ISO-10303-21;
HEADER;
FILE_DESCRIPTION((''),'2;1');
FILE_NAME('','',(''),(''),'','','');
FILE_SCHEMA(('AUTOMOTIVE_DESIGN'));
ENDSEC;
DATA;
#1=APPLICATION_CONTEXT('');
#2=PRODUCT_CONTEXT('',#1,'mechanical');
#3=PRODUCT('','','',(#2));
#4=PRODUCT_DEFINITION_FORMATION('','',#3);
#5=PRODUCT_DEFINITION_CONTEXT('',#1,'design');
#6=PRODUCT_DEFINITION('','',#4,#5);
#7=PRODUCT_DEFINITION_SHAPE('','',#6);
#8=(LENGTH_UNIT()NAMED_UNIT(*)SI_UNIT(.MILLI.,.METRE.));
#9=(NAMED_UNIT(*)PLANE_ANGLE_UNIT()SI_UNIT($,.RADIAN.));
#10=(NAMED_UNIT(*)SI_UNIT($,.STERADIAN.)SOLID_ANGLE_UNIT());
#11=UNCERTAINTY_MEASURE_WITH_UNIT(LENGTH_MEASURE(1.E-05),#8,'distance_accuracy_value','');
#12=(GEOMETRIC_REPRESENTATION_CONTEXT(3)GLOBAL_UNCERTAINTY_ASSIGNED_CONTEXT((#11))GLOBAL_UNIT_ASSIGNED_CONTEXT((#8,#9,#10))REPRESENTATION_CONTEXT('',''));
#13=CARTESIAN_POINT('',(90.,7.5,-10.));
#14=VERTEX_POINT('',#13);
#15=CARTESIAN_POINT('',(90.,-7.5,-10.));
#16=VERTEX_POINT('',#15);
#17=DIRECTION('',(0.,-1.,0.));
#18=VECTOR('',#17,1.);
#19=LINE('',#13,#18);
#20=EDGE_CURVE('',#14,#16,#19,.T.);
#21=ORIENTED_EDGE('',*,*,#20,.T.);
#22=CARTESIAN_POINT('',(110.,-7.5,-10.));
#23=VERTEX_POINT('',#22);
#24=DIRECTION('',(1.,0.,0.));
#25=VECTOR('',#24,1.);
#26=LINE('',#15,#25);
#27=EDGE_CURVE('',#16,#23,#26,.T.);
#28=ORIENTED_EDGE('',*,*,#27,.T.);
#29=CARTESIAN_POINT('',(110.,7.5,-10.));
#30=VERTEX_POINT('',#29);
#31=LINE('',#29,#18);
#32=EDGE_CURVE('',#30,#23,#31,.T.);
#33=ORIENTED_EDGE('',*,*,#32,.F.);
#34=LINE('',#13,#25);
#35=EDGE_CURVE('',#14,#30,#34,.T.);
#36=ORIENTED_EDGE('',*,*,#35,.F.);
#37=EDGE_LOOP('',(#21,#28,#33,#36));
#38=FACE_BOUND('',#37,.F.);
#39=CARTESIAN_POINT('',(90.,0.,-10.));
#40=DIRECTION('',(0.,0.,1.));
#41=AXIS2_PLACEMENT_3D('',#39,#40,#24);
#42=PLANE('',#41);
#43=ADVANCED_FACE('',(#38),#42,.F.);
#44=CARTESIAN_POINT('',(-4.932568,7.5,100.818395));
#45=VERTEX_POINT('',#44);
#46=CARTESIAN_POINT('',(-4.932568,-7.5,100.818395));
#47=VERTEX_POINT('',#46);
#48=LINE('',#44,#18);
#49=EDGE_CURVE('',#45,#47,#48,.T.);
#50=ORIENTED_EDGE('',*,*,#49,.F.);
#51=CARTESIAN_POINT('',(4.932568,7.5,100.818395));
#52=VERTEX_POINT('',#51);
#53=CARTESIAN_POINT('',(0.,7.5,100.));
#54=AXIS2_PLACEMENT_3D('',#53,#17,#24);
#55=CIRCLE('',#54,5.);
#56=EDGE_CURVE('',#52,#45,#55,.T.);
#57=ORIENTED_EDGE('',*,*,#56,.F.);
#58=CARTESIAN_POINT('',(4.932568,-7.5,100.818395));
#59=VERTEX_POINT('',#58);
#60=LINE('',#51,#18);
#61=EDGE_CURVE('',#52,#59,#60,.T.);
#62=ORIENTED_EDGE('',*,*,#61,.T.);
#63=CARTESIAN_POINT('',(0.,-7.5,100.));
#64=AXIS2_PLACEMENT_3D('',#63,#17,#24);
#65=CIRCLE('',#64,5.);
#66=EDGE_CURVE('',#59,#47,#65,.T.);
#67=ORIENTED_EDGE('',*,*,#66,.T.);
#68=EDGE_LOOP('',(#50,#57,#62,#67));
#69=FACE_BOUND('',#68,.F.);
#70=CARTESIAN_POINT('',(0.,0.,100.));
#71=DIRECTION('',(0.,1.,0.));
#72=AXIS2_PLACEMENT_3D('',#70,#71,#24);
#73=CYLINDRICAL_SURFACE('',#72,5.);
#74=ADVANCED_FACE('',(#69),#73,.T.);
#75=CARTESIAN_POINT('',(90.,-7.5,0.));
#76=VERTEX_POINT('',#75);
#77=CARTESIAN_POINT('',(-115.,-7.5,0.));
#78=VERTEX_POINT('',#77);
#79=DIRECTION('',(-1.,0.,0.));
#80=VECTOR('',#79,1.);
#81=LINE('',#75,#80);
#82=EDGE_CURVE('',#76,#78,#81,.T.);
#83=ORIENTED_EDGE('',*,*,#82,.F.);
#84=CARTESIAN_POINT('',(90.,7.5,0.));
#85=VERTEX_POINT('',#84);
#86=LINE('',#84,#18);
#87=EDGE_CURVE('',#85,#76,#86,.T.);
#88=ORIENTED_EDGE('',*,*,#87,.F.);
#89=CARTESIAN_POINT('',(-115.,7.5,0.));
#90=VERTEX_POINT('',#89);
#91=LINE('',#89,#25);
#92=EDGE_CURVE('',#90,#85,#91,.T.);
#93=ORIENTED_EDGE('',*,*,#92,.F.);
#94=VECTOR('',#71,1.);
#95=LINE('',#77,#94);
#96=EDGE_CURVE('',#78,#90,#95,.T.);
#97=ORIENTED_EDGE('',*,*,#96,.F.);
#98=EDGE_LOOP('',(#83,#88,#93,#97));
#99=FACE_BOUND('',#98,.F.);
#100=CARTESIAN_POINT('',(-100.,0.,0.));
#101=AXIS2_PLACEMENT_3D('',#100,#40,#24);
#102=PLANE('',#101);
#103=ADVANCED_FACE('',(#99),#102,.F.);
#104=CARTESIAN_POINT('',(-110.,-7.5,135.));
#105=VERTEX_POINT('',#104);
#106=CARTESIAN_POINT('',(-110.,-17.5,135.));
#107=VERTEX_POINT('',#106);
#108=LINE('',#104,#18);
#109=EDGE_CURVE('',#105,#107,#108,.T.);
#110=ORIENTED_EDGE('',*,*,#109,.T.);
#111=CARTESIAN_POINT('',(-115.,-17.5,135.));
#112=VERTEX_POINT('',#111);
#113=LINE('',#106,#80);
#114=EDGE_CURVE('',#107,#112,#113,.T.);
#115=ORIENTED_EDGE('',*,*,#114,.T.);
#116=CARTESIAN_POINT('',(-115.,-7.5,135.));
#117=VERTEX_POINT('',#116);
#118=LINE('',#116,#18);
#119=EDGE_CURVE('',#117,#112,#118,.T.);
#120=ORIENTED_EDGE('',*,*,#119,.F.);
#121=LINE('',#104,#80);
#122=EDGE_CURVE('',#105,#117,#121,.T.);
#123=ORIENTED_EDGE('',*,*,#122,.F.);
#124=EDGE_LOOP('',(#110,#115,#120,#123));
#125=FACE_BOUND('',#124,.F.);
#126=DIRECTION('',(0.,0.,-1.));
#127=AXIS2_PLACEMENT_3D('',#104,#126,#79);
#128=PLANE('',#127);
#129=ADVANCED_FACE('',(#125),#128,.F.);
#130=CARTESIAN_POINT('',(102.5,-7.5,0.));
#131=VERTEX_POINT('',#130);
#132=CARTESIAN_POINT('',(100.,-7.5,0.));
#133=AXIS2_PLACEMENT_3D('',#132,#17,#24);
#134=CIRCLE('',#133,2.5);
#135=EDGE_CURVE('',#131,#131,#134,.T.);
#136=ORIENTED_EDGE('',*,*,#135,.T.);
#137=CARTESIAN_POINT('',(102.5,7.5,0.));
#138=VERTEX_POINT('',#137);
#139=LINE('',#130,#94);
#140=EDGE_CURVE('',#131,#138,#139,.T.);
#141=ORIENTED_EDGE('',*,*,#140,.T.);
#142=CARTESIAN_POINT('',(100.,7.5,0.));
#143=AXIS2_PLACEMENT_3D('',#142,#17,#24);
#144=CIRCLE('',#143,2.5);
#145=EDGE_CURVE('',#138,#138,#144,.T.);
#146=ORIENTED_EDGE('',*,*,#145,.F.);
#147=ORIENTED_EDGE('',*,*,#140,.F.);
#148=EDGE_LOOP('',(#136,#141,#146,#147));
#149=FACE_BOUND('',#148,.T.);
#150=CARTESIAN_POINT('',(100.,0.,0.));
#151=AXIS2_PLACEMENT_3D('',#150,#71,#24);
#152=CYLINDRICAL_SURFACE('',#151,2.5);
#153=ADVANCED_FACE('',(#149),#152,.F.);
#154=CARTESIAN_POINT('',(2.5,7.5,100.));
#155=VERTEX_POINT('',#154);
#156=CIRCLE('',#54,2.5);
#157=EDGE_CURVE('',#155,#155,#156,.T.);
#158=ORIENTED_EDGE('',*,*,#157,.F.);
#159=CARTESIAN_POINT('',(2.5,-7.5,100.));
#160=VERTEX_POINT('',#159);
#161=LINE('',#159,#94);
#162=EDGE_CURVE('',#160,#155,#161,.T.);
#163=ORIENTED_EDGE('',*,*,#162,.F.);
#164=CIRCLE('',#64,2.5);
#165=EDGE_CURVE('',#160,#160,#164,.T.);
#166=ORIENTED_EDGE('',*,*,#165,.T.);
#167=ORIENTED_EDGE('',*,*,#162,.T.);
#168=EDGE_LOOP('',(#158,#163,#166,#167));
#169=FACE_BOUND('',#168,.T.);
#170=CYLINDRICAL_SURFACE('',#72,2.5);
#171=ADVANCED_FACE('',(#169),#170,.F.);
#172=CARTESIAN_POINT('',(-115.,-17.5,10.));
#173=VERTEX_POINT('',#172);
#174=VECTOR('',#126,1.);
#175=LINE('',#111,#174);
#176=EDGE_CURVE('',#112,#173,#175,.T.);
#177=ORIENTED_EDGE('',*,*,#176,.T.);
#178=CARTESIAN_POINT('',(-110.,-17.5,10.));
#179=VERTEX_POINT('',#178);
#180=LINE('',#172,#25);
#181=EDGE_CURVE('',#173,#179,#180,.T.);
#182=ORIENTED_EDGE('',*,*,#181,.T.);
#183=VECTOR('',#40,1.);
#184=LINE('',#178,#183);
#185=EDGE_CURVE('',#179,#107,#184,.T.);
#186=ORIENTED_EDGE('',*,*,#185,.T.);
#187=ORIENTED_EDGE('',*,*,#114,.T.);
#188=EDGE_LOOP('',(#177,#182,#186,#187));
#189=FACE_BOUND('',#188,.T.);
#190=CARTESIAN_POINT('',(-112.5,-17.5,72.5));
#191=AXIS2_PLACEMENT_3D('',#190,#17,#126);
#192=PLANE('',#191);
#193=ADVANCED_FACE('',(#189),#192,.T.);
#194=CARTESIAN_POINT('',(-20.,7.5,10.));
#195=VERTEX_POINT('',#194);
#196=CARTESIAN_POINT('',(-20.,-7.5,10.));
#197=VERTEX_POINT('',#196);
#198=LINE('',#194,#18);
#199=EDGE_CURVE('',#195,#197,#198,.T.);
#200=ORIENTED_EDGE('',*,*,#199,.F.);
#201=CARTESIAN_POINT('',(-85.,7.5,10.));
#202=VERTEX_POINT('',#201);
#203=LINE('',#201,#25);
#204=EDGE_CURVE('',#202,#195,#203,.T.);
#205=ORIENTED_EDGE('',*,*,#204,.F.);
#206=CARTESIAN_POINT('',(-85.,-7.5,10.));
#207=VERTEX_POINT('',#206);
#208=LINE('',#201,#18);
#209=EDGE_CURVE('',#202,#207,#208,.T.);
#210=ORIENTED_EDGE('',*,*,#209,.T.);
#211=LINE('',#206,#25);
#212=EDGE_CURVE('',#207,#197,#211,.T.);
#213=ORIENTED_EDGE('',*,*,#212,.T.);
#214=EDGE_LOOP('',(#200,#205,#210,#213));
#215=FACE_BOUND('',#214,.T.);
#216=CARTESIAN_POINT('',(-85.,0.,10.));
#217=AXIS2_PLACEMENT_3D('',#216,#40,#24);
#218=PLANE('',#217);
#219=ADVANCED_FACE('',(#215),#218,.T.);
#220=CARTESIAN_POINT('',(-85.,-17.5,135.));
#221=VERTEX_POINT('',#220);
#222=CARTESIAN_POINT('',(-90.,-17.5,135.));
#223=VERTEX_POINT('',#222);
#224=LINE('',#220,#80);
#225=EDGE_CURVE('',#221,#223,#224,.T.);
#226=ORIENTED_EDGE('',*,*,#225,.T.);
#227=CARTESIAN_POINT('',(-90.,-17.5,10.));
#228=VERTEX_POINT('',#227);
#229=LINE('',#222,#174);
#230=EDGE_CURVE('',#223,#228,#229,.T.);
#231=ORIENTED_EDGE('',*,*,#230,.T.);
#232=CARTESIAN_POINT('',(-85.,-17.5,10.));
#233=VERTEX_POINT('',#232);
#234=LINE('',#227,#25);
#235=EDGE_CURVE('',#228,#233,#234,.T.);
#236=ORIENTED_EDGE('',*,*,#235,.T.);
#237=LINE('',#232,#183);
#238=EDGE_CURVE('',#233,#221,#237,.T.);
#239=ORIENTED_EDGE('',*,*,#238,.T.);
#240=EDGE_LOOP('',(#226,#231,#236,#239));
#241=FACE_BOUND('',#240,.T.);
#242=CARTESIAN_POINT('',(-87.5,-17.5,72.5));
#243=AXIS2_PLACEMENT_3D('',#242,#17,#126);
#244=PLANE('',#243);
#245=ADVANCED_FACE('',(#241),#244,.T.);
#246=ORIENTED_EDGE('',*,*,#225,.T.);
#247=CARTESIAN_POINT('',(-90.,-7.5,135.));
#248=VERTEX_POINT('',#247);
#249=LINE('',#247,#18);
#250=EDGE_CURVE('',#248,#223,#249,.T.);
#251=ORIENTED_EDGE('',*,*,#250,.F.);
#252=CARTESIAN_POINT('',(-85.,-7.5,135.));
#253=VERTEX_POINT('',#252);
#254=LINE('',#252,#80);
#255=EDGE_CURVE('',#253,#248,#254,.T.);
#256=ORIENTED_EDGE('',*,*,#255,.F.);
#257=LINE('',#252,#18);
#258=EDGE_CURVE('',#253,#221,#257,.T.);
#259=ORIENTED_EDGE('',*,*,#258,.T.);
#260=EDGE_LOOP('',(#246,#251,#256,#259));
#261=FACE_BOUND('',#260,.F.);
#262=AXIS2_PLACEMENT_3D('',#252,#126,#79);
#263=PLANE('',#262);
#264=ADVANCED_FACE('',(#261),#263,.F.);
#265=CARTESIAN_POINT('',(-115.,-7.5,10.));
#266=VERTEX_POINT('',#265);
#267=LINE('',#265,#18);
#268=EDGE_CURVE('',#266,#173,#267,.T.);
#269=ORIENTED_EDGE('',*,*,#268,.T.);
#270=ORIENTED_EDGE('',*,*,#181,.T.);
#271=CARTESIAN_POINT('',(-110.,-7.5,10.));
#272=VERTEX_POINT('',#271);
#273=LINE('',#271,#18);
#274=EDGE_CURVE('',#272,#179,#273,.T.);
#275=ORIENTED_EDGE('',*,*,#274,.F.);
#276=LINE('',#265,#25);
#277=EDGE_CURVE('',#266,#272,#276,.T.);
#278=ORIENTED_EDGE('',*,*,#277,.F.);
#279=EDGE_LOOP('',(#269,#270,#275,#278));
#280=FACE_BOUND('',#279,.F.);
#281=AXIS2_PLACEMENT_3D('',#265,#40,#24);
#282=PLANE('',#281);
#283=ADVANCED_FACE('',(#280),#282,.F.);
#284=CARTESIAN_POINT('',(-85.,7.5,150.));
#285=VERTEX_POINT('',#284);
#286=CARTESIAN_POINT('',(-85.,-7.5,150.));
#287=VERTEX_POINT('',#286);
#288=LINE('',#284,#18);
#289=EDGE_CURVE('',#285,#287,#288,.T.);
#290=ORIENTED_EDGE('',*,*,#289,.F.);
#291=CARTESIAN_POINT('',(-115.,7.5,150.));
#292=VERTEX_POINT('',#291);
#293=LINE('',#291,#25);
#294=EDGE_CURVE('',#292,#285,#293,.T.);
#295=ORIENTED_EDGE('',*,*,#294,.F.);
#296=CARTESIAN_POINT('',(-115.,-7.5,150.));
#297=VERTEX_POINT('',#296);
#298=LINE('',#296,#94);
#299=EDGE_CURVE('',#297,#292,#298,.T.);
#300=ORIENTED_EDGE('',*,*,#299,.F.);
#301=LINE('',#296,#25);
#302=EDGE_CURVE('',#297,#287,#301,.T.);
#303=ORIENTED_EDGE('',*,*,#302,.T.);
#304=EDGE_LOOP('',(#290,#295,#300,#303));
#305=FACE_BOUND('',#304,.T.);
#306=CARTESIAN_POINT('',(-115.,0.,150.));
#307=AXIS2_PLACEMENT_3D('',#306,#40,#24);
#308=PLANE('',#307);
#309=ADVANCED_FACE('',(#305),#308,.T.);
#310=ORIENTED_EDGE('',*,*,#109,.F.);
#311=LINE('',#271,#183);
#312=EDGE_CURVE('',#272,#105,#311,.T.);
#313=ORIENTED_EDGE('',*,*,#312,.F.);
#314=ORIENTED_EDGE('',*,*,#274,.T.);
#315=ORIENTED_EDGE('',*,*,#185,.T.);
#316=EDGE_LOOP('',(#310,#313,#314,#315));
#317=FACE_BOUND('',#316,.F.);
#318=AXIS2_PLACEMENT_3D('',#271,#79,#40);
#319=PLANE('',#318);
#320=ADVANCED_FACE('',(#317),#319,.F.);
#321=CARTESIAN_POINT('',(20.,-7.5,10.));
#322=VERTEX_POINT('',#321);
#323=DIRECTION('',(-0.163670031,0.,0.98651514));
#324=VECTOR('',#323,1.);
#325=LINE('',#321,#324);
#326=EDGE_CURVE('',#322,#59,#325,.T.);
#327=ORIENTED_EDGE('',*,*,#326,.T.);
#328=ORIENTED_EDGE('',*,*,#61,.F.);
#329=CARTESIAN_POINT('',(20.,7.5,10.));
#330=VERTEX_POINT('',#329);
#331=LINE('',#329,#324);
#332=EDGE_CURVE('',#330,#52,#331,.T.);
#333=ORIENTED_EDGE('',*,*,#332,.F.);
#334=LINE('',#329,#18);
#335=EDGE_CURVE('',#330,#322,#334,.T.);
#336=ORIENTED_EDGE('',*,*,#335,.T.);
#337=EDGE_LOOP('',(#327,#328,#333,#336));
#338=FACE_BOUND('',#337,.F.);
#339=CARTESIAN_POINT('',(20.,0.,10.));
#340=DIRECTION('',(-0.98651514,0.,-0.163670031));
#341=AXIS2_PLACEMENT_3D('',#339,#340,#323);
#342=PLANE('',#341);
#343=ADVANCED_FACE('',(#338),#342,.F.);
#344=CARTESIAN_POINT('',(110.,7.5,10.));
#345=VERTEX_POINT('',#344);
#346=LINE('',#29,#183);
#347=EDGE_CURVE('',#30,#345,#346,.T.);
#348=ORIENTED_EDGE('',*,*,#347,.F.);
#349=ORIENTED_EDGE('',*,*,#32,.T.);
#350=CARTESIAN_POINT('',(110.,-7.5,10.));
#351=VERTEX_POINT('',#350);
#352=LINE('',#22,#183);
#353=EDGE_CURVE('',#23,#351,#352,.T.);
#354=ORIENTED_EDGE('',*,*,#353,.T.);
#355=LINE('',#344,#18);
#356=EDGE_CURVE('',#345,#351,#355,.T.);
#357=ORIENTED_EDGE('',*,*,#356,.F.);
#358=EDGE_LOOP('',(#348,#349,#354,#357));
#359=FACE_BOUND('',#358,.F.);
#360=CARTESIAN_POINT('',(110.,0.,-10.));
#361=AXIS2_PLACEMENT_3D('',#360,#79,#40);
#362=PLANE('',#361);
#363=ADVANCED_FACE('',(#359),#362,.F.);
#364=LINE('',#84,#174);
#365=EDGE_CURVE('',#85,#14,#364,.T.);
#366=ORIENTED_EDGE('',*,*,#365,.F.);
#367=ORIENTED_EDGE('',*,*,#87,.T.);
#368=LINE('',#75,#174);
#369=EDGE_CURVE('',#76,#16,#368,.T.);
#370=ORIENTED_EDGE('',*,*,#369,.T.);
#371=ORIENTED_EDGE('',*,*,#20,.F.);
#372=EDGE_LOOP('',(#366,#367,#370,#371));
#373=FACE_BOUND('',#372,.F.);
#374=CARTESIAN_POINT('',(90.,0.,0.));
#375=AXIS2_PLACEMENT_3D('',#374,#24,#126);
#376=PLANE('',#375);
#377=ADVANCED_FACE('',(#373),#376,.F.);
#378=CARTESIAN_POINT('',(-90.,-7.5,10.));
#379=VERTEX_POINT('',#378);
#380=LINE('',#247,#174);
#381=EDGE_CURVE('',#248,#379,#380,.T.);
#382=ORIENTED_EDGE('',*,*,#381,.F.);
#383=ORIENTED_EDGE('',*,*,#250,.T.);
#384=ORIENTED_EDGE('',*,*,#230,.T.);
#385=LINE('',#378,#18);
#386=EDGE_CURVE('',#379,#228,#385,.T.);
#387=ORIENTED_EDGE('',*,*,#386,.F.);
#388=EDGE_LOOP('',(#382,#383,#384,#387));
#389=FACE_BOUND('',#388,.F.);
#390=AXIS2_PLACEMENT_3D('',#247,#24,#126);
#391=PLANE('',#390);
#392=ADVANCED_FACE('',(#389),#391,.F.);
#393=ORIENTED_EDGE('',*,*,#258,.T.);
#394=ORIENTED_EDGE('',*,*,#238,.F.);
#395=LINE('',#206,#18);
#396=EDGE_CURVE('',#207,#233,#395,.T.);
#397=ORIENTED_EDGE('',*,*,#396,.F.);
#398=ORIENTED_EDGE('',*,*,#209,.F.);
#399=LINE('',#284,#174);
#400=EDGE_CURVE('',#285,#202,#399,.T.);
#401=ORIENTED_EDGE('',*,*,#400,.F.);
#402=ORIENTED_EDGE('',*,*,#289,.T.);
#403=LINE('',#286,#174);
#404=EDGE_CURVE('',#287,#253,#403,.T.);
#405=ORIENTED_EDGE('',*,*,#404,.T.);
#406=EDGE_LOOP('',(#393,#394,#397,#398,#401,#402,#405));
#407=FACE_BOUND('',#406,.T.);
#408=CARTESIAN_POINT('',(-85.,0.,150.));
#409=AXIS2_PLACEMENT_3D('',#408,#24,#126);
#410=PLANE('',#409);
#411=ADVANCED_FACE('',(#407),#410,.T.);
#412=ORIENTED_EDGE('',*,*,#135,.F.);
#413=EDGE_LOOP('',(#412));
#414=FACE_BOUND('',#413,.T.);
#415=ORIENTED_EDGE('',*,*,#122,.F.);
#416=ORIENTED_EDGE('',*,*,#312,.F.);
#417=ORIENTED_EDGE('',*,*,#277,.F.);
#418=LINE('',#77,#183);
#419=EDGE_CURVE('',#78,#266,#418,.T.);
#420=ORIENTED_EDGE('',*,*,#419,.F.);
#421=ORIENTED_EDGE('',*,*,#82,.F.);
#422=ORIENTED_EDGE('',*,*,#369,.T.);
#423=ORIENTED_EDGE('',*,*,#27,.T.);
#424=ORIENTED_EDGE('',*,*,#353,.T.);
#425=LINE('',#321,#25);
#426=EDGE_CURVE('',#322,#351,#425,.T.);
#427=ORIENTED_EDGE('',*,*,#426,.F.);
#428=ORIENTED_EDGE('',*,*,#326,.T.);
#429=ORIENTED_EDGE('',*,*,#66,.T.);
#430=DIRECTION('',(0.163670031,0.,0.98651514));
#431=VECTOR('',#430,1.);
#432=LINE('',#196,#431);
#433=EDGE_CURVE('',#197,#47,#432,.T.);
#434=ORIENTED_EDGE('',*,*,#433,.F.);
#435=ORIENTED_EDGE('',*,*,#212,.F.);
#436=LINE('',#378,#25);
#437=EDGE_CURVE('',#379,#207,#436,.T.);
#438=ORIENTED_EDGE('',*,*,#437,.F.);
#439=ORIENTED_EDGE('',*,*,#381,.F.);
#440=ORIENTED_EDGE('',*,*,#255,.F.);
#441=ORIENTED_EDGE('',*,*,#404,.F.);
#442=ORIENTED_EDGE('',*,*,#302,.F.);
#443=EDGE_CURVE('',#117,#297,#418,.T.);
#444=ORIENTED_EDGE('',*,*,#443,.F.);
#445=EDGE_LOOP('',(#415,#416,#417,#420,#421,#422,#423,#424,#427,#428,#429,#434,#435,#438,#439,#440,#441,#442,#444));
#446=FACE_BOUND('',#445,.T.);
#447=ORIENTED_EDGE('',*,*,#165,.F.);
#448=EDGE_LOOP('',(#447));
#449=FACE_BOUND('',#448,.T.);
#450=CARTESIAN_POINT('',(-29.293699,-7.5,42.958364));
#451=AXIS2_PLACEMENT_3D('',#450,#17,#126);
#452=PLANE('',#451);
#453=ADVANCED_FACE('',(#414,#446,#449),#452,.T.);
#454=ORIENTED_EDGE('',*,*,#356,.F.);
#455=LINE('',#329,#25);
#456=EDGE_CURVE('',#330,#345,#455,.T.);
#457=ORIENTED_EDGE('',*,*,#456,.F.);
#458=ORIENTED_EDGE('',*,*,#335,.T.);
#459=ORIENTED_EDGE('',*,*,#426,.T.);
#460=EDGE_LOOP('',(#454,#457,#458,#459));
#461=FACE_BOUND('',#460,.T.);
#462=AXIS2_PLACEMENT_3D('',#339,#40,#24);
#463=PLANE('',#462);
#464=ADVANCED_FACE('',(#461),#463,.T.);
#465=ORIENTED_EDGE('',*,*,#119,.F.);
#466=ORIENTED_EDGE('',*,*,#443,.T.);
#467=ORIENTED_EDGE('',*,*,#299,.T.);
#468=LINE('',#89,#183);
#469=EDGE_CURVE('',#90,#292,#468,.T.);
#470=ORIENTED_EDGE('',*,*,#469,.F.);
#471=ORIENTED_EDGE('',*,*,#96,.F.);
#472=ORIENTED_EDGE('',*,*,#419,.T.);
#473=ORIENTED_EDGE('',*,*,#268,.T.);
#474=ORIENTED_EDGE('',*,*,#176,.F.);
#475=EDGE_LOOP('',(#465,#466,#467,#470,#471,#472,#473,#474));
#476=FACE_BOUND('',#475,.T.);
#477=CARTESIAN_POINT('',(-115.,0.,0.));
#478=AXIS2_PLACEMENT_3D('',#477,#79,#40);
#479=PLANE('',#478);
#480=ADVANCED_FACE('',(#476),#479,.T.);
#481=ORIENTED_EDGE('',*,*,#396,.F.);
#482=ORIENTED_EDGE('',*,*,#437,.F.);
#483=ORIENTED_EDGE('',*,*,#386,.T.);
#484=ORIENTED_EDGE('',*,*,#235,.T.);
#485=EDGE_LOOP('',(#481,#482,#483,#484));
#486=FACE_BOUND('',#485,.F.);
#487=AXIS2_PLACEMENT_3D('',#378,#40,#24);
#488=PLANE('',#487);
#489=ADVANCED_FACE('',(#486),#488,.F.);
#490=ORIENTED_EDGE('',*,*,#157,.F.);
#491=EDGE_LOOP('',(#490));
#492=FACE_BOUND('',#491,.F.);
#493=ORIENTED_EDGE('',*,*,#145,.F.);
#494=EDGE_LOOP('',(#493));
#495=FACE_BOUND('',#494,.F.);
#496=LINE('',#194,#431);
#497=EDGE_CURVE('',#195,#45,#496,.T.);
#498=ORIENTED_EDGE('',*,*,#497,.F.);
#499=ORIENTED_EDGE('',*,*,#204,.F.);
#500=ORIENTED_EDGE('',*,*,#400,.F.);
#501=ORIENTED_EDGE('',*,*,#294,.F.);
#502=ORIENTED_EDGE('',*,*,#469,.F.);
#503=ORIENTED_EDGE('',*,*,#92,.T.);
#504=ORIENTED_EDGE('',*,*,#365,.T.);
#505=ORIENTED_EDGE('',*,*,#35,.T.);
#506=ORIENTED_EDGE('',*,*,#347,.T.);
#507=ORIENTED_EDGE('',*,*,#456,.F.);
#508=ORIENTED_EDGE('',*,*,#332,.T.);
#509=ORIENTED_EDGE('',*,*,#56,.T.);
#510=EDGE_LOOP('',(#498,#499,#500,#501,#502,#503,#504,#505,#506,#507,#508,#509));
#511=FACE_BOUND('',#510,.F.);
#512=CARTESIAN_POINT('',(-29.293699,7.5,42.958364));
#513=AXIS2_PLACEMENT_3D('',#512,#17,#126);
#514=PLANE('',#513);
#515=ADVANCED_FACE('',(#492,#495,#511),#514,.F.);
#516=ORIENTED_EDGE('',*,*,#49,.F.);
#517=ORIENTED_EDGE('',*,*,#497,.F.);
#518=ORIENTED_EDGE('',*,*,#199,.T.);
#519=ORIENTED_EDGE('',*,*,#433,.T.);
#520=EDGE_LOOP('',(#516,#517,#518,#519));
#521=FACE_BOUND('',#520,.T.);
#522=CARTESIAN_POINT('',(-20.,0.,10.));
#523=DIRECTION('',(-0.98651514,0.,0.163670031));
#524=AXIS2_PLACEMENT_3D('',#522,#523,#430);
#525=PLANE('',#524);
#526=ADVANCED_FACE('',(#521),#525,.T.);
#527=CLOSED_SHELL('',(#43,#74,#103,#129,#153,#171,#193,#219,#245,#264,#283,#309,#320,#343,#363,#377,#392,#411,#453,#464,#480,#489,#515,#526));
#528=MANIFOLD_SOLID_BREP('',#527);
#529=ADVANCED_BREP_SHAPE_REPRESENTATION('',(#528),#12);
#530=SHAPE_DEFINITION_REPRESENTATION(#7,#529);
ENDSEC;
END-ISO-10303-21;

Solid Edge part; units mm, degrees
sketch "Sketch1" plane through (0, 0, 0) normal (0, -1, 0) x (1, 0, 0)
  circle A0 centre (100, 0) radius 2.5
  circle A1 centre (0, 100) radius 2.5
  line L0 (-100, 0) -> (90, 0)
  line L1 (90, 0) -> (90, -10)
  line L2 (90, -10) -> (110, -10)
  line L3 (110, -10) -> (110, 10)
  line L4 (20, 10) -> (110, 10)
  line L5 (20, 10) -> (4.9326, 100.8184)
  line L6 (-20, 10) -> (-4.9326, 100.8184)
  line L7 (-85, 10) -> (-20, 10)
  line L8 (-85, 150) -> (-85, 10)
  line L9 (-115, 150) -> (-85, 150)
  line L10 (-115, 0) -> (-115, 150)
  line L11 (-100, 0) -> (-115, 0)
  arc A2 (4.9326, 100.8184) -> (-4.9326, 100.8184) centre (0, 100) ccw
  dimension "D1" = 190
  dimension "D2" = 100
  dimension "D3" = 15
  dimension "D4" = 150
  dimension "D5" = 10
  dimension "D6" = 20
  dimension "D7" = 20
  dimension "D8" = 20
  dimension "D9" = 10
  dimension "D10" = 100
  dimension "D11" = 5
  dimension "D12" = 5
extrude "Protrusion1" add sketch "Sketch1" along normal mid plane 15
sketch "Sketch2" plane through (-2.5, -7.5, 47.5) normal (0, -1, 0) x (1, 0, 0)
  line L0 (-87.5, -37.5) -> (-82.5, -37.5)
  line L1 (-82.5, -37.5) -> (-82.5, 87.5)
  line L2 (-82.5, 87.5) -> (-87.5, 87.5)
  line L3 (-87.5, 87.5) -> (-87.5, -37.5)
  line L4 (-112.5, -37.5) -> (-107.5, -37.5)
  line L5 (-107.5, -37.5) -> (-107.5, 87.5)
  line L6 (-107.5, 87.5) -> (-112.5, 87.5)
  line L7 (-112.5, 87.5) -> (-112.5, -37.5)
  dimension "D1" = 125
  dimension "D2" = 125
  dimension "D3" = 5
  dimension "D4" = 5
  dimension "D5" = 15
  dimension "D6" = 15
extrude "ExtrudedProtrusion_2" add sketch "Sketch2" along normal blind 10
